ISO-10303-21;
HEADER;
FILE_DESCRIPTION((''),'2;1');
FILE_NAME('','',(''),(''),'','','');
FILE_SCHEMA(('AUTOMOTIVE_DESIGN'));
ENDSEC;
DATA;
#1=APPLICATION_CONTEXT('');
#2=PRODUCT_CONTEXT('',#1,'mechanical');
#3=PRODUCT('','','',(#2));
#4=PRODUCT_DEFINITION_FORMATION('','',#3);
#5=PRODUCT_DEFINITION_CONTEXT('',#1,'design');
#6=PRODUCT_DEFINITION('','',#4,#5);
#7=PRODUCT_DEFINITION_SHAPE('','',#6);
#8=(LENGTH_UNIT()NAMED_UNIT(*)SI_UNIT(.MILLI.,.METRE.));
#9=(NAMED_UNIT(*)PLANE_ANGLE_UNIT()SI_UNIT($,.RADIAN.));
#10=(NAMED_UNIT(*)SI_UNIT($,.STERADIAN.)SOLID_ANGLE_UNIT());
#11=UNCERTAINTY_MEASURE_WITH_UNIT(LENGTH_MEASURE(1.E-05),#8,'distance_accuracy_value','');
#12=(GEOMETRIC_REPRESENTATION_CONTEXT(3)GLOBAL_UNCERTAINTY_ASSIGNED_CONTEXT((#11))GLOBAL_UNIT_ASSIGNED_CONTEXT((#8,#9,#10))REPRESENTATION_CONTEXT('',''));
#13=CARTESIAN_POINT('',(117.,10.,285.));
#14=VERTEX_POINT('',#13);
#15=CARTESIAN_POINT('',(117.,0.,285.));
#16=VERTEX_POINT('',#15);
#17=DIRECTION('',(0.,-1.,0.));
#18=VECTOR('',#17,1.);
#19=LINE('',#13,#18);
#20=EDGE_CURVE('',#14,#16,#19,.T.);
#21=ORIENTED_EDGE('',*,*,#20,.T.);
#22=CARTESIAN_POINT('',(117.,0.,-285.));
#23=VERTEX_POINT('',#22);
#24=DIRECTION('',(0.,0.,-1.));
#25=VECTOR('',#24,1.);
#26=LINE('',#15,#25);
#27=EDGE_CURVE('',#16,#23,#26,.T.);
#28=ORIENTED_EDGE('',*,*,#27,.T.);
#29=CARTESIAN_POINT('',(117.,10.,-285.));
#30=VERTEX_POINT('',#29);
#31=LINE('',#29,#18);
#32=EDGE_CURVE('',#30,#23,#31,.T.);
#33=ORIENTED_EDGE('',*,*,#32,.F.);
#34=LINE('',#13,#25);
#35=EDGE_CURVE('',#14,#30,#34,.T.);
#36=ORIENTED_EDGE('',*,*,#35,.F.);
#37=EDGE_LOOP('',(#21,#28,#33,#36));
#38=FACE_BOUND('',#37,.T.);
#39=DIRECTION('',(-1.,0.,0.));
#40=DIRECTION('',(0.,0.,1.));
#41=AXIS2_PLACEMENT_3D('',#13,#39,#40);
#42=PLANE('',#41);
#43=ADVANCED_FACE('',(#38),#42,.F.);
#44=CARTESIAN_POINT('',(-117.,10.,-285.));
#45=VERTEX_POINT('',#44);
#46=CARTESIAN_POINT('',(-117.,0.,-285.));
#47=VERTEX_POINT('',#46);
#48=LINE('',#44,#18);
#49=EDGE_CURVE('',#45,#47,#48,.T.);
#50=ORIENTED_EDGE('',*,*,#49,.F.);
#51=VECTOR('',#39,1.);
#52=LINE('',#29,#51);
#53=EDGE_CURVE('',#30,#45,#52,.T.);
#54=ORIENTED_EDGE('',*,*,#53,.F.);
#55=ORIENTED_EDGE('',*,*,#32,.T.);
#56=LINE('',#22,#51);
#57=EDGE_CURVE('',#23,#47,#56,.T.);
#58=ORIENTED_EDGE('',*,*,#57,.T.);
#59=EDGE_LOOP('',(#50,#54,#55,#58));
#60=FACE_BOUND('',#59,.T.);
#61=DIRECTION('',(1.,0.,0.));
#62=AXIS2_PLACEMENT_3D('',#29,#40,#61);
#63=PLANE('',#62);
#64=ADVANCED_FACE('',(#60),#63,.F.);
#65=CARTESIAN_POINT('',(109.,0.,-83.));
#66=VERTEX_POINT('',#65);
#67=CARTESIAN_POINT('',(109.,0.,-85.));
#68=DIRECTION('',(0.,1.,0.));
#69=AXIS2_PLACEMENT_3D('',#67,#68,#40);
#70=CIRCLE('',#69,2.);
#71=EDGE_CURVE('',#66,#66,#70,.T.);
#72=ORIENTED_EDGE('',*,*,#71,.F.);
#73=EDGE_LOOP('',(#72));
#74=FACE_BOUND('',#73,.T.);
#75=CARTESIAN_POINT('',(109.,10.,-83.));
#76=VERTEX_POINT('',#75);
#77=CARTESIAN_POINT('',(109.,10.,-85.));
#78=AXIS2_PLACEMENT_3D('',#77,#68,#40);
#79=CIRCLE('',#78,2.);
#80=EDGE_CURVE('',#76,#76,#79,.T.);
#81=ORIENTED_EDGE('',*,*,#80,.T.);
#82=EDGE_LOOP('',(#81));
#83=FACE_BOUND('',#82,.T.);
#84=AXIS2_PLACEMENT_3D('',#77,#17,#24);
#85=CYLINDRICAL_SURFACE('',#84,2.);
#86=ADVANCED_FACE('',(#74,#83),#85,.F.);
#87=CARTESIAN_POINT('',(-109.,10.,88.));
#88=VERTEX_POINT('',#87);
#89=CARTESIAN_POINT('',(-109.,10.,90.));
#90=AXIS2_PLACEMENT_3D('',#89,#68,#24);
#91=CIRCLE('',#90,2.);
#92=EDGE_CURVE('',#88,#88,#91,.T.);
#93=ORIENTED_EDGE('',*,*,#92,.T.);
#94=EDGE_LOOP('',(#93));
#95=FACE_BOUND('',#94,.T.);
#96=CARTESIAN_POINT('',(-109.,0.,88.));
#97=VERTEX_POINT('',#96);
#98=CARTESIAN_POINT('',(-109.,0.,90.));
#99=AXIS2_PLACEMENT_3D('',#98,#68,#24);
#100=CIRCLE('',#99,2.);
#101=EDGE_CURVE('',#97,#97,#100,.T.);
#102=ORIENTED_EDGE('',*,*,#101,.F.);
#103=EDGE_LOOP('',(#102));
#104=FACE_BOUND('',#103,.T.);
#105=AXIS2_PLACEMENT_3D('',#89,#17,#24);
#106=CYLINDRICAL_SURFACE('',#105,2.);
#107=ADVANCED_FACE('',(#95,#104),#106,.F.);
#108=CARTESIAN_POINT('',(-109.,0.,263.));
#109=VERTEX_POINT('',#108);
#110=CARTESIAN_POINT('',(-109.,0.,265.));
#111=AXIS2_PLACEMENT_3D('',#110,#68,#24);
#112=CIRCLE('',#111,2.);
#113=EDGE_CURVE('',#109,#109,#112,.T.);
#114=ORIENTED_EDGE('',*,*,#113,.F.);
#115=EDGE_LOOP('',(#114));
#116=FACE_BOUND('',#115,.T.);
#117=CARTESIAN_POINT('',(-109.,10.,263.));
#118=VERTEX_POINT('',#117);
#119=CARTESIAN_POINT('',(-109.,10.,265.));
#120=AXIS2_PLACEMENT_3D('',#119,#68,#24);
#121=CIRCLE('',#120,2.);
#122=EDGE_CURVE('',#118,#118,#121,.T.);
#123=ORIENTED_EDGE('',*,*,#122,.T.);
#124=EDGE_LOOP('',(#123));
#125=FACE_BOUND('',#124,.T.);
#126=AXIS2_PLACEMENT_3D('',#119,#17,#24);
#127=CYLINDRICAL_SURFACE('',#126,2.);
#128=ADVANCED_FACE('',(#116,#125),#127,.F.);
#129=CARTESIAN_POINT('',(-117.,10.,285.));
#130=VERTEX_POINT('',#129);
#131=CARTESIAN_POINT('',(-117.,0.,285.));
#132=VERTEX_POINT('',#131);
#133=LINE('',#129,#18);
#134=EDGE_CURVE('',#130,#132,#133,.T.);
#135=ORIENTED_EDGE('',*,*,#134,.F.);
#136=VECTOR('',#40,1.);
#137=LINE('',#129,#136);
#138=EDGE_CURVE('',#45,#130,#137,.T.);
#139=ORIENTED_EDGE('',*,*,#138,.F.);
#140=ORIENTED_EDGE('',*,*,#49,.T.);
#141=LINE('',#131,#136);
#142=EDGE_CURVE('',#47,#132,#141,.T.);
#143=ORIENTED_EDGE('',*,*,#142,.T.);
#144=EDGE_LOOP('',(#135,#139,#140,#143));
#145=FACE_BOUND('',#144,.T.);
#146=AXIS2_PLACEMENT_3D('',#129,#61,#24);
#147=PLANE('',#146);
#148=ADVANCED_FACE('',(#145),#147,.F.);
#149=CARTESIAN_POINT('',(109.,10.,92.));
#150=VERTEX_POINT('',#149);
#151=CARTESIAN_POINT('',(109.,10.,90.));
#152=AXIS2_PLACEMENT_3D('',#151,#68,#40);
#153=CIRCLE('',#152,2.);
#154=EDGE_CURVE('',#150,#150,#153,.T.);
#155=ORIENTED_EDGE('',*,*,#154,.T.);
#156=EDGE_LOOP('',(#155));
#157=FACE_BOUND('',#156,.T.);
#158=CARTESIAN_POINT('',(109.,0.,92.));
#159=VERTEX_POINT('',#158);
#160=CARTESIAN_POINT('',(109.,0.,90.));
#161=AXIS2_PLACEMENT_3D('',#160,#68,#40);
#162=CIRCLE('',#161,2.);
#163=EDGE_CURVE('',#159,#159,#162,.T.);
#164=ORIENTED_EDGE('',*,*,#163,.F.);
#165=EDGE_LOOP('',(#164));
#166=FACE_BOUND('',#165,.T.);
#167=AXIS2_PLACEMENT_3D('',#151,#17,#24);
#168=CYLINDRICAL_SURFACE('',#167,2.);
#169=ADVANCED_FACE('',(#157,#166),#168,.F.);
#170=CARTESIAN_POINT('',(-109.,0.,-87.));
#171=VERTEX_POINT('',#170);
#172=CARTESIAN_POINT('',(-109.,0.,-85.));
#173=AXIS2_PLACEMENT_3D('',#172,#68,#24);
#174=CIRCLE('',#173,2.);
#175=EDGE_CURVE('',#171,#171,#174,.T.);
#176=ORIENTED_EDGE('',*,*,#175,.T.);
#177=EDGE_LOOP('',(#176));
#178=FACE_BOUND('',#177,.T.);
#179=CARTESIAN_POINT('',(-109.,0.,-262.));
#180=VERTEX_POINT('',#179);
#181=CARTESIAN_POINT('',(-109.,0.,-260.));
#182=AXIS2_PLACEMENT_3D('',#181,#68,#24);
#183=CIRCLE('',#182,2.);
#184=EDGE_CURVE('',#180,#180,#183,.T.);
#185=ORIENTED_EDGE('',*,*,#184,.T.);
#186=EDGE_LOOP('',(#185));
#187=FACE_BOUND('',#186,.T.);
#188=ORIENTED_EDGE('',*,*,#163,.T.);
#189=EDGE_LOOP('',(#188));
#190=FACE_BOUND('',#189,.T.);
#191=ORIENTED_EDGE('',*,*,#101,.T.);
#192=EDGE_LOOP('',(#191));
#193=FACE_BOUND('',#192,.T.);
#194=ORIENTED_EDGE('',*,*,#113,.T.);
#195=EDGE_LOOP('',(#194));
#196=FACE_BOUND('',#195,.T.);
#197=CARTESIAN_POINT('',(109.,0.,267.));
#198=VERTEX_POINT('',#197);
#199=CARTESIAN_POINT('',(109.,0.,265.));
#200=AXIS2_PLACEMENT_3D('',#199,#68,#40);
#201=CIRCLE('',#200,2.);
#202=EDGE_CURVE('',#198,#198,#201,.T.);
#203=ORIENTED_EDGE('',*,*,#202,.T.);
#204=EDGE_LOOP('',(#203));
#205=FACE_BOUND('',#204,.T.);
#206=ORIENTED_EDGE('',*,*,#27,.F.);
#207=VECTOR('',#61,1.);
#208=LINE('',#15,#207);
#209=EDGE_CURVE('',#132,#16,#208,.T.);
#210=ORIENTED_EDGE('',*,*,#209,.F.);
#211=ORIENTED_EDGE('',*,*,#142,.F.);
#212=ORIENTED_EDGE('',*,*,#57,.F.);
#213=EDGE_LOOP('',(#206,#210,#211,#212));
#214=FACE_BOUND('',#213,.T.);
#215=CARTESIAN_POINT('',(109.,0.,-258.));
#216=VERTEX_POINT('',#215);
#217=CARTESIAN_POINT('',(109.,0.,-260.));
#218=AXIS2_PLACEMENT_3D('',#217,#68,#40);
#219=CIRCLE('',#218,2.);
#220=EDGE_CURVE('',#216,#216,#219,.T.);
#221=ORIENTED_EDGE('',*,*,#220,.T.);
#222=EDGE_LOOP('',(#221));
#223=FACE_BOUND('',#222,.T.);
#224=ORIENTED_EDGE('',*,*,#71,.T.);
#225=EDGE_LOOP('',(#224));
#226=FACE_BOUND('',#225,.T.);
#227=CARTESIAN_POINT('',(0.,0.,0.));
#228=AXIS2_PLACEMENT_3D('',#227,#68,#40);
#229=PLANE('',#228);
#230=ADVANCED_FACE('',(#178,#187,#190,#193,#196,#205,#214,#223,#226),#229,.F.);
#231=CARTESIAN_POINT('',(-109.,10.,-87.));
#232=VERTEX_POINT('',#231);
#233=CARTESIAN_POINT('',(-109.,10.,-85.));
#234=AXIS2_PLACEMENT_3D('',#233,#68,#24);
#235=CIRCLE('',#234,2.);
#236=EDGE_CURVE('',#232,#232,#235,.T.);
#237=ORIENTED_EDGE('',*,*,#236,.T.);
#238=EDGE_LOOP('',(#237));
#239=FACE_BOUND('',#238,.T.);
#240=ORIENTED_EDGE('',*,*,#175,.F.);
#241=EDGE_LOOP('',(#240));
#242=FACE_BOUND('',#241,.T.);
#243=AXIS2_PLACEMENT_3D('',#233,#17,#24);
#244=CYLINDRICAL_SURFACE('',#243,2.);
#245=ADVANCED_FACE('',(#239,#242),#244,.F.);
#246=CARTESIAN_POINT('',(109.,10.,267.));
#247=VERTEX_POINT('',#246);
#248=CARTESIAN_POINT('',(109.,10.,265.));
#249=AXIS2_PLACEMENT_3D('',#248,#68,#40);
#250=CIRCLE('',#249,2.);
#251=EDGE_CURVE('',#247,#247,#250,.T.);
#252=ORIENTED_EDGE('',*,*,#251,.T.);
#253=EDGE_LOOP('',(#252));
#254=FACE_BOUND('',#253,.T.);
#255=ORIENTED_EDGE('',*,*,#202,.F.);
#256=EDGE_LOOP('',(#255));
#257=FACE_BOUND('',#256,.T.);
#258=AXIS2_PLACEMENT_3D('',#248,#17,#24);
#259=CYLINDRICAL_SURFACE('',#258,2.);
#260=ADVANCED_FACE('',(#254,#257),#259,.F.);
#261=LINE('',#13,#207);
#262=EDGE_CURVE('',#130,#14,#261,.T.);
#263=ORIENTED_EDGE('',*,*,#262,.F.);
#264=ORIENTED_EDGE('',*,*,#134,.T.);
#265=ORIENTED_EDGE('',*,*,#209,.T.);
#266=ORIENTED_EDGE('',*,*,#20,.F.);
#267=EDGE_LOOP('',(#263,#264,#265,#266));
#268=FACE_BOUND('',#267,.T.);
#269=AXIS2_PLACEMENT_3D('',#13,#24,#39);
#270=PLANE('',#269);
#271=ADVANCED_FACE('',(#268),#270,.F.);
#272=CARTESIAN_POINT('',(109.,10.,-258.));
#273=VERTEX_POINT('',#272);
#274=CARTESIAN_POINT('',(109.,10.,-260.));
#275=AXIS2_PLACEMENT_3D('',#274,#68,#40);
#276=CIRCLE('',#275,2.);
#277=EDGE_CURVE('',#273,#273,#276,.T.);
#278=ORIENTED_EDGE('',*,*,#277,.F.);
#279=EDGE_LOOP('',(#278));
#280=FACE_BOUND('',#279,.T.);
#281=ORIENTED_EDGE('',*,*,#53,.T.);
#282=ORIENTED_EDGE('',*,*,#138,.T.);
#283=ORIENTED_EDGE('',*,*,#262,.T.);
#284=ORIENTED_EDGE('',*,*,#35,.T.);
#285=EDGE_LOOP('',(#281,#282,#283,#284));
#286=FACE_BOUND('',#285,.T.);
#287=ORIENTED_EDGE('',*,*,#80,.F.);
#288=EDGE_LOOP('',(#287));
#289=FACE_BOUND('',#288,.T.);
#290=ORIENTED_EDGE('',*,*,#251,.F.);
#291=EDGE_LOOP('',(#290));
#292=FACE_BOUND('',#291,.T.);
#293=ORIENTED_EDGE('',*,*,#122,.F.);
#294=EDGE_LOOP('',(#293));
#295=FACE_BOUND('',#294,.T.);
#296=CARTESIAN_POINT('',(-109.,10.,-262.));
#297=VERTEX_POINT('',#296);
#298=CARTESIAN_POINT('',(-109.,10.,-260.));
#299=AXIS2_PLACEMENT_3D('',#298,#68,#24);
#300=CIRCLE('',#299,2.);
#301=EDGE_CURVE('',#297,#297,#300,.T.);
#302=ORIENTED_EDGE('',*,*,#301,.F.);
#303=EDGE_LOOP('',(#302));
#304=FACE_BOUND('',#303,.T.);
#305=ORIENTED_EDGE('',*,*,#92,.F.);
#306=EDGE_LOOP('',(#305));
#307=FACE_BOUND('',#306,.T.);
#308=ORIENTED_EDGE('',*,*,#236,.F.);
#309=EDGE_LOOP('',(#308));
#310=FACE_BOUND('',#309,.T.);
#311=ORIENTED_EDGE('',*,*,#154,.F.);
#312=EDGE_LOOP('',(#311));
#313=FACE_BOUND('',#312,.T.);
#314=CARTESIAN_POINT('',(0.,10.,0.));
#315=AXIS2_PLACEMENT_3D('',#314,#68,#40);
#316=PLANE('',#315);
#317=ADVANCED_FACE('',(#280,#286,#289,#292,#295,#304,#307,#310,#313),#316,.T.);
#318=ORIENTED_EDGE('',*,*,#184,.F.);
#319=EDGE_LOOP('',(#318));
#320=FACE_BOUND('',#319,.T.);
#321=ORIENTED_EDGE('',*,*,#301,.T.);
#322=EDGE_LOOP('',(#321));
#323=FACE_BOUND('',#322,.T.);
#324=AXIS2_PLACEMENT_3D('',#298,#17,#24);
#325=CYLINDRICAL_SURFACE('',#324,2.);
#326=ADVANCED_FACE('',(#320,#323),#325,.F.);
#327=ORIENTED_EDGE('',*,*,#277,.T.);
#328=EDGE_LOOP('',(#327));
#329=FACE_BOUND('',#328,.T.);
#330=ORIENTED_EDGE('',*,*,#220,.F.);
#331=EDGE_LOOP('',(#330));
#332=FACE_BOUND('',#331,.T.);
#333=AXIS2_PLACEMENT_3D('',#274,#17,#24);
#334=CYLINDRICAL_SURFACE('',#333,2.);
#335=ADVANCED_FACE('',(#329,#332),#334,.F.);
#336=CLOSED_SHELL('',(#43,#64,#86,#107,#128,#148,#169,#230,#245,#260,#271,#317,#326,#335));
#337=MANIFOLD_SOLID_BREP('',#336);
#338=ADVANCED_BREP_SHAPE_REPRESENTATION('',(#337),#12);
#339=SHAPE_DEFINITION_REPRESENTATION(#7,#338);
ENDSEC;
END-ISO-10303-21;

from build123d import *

# Parameters (mm, degrees)
SKETCH1_W           = 234
SKETCH1_H           = 570
SKETCH1_R           = 2
BOSS_EXTRUDE1_DEPTH = 10


with BuildPart() as part:
    # Sketch1 → Boss-Extrude1 (new body)
    with BuildSketch(Plane(origin=(0, 0, 0), x_dir=(1, 0, 0), z_dir=(0, 1, 0))):
        Rectangle(SKETCH1_W, SKETCH1_H)
        with Locations((109, 260)):
            Circle(SKETCH1_R, mode=Mode.SUBTRACT)
        with Locations((109, 85)):
            Circle(SKETCH1_R, mode=Mode.SUBTRACT)
        with Locations((109, -90)):
            Circle(SKETCH1_R, mode=Mode.SUBTRACT)
        with Locations((109, -265)):
            Circle(SKETCH1_R, mode=Mode.SUBTRACT)
        with Locations((-109, -265)):
            Circle(SKETCH1_R, mode=Mode.SUBTRACT)
        with Locations((-109, -90)):
            Circle(SKETCH1_R, mode=Mode.SUBTRACT)
        with Locations((-109, 85)):
            Circle(SKETCH1_R, mode=Mode.SUBTRACT)
        with Locations((-109, 260)):
            Circle(SKETCH1_R, mode=Mode.SUBTRACT)
    extrude(amount=BOSS_EXTRUDE1_DEPTH)


solid = part.part
